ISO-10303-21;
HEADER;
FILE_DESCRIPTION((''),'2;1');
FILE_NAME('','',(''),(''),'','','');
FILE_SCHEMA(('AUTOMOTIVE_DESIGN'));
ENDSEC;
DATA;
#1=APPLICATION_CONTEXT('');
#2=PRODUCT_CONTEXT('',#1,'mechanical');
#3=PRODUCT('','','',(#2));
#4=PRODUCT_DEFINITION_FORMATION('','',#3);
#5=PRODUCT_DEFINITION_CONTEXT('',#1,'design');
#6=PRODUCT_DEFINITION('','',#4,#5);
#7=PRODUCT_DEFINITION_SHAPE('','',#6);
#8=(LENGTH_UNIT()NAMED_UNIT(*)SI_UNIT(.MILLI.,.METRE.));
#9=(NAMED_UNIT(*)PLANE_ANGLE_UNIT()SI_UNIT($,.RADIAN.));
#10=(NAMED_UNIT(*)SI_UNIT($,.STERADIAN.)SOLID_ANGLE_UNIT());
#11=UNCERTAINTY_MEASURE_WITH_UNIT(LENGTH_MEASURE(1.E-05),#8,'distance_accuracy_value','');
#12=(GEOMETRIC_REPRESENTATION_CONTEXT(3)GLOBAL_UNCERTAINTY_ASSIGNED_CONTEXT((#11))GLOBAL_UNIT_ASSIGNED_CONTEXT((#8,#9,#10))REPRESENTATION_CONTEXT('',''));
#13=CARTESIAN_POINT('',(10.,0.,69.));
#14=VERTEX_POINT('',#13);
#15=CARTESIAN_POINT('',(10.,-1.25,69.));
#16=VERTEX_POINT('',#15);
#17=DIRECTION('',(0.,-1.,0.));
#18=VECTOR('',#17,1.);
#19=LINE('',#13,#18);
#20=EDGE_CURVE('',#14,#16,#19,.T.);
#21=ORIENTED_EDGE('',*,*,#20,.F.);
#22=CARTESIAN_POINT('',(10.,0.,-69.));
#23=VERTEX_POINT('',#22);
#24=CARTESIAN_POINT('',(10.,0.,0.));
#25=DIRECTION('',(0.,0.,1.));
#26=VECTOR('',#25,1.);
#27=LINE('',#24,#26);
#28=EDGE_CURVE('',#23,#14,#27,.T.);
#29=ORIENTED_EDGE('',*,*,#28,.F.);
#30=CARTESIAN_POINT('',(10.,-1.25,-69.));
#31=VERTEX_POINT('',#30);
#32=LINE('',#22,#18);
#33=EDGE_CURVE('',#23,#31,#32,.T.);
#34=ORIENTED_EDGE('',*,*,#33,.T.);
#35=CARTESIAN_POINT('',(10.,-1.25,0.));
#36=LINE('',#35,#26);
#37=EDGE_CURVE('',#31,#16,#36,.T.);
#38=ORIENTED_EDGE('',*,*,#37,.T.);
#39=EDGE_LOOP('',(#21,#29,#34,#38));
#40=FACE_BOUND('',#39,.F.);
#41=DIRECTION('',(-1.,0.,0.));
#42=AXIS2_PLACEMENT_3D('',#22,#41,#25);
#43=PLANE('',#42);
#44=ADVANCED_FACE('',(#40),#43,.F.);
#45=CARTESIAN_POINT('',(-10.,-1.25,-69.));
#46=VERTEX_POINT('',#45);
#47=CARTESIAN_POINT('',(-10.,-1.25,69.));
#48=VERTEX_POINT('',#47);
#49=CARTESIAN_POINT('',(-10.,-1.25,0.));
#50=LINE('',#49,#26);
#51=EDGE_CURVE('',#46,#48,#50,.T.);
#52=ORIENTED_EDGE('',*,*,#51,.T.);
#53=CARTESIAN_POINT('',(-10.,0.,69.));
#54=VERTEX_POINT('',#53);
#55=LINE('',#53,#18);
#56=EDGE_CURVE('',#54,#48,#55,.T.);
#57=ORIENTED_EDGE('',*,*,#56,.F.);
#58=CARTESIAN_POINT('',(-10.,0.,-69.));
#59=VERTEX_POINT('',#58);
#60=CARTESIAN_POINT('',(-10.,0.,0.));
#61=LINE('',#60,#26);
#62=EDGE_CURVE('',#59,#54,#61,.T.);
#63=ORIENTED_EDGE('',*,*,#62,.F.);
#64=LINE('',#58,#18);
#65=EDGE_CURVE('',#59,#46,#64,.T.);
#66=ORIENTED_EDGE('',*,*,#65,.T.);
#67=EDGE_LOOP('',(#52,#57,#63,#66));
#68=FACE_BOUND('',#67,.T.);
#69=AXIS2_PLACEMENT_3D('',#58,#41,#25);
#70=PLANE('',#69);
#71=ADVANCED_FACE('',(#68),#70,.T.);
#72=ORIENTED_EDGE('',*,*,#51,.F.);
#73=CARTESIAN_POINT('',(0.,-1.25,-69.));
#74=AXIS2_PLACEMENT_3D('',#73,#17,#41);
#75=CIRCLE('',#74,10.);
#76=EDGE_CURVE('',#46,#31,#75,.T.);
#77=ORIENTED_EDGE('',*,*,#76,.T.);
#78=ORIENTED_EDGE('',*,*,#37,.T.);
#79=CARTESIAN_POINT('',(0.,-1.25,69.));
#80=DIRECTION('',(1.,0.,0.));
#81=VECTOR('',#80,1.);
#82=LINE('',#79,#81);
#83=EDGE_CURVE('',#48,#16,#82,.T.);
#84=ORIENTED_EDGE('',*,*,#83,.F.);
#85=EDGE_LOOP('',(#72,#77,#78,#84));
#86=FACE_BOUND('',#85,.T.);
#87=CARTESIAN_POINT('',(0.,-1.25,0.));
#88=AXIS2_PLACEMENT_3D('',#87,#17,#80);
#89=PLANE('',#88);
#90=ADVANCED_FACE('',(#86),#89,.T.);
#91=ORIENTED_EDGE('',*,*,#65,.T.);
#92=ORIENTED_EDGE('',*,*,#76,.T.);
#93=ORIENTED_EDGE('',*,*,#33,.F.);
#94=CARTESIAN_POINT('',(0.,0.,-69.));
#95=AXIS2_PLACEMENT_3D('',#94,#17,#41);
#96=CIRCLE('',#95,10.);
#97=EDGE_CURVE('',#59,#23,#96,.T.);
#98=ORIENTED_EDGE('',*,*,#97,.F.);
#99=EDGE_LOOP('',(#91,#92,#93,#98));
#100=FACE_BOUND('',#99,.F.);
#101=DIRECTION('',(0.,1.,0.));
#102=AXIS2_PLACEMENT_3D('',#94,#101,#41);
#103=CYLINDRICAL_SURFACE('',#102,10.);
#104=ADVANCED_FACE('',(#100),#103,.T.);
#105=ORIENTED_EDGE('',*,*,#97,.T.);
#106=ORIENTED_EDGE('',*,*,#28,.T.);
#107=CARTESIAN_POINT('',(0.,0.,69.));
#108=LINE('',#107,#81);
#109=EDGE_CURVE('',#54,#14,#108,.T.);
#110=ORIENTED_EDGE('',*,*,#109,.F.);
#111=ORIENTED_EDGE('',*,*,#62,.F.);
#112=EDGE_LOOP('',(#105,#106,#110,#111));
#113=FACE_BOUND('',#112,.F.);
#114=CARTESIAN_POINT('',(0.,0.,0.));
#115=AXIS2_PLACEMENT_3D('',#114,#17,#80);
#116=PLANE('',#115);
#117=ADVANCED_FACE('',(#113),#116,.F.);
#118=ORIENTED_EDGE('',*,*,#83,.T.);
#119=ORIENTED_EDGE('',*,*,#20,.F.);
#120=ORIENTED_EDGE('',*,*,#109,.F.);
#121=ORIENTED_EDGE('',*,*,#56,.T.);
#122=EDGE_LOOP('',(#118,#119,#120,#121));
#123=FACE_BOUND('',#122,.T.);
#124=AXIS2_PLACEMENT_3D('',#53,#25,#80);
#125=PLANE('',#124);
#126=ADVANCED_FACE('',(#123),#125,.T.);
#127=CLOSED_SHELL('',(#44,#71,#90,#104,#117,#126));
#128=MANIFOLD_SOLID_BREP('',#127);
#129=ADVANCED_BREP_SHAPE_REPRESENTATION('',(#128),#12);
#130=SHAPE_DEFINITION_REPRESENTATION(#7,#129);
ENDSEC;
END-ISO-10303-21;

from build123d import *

# Parameters (mm, degrees)
F0_W     = 20
F0_H     = 138
F1_DEPTH = 1.25


with BuildPart() as f1:
    # F0 (on Front) → F1 (new body)
    with BuildSketch(Plane.XZ):
        Rectangle(F0_W, F0_H)
        with BuildLine():
            Line((10, -69), (-10, -69))
            ThreePointArc((-10, -69), (0, -79), (10, -69))
        make_face()
    extrude(amount=F1_DEPTH)


solid = f1.part
